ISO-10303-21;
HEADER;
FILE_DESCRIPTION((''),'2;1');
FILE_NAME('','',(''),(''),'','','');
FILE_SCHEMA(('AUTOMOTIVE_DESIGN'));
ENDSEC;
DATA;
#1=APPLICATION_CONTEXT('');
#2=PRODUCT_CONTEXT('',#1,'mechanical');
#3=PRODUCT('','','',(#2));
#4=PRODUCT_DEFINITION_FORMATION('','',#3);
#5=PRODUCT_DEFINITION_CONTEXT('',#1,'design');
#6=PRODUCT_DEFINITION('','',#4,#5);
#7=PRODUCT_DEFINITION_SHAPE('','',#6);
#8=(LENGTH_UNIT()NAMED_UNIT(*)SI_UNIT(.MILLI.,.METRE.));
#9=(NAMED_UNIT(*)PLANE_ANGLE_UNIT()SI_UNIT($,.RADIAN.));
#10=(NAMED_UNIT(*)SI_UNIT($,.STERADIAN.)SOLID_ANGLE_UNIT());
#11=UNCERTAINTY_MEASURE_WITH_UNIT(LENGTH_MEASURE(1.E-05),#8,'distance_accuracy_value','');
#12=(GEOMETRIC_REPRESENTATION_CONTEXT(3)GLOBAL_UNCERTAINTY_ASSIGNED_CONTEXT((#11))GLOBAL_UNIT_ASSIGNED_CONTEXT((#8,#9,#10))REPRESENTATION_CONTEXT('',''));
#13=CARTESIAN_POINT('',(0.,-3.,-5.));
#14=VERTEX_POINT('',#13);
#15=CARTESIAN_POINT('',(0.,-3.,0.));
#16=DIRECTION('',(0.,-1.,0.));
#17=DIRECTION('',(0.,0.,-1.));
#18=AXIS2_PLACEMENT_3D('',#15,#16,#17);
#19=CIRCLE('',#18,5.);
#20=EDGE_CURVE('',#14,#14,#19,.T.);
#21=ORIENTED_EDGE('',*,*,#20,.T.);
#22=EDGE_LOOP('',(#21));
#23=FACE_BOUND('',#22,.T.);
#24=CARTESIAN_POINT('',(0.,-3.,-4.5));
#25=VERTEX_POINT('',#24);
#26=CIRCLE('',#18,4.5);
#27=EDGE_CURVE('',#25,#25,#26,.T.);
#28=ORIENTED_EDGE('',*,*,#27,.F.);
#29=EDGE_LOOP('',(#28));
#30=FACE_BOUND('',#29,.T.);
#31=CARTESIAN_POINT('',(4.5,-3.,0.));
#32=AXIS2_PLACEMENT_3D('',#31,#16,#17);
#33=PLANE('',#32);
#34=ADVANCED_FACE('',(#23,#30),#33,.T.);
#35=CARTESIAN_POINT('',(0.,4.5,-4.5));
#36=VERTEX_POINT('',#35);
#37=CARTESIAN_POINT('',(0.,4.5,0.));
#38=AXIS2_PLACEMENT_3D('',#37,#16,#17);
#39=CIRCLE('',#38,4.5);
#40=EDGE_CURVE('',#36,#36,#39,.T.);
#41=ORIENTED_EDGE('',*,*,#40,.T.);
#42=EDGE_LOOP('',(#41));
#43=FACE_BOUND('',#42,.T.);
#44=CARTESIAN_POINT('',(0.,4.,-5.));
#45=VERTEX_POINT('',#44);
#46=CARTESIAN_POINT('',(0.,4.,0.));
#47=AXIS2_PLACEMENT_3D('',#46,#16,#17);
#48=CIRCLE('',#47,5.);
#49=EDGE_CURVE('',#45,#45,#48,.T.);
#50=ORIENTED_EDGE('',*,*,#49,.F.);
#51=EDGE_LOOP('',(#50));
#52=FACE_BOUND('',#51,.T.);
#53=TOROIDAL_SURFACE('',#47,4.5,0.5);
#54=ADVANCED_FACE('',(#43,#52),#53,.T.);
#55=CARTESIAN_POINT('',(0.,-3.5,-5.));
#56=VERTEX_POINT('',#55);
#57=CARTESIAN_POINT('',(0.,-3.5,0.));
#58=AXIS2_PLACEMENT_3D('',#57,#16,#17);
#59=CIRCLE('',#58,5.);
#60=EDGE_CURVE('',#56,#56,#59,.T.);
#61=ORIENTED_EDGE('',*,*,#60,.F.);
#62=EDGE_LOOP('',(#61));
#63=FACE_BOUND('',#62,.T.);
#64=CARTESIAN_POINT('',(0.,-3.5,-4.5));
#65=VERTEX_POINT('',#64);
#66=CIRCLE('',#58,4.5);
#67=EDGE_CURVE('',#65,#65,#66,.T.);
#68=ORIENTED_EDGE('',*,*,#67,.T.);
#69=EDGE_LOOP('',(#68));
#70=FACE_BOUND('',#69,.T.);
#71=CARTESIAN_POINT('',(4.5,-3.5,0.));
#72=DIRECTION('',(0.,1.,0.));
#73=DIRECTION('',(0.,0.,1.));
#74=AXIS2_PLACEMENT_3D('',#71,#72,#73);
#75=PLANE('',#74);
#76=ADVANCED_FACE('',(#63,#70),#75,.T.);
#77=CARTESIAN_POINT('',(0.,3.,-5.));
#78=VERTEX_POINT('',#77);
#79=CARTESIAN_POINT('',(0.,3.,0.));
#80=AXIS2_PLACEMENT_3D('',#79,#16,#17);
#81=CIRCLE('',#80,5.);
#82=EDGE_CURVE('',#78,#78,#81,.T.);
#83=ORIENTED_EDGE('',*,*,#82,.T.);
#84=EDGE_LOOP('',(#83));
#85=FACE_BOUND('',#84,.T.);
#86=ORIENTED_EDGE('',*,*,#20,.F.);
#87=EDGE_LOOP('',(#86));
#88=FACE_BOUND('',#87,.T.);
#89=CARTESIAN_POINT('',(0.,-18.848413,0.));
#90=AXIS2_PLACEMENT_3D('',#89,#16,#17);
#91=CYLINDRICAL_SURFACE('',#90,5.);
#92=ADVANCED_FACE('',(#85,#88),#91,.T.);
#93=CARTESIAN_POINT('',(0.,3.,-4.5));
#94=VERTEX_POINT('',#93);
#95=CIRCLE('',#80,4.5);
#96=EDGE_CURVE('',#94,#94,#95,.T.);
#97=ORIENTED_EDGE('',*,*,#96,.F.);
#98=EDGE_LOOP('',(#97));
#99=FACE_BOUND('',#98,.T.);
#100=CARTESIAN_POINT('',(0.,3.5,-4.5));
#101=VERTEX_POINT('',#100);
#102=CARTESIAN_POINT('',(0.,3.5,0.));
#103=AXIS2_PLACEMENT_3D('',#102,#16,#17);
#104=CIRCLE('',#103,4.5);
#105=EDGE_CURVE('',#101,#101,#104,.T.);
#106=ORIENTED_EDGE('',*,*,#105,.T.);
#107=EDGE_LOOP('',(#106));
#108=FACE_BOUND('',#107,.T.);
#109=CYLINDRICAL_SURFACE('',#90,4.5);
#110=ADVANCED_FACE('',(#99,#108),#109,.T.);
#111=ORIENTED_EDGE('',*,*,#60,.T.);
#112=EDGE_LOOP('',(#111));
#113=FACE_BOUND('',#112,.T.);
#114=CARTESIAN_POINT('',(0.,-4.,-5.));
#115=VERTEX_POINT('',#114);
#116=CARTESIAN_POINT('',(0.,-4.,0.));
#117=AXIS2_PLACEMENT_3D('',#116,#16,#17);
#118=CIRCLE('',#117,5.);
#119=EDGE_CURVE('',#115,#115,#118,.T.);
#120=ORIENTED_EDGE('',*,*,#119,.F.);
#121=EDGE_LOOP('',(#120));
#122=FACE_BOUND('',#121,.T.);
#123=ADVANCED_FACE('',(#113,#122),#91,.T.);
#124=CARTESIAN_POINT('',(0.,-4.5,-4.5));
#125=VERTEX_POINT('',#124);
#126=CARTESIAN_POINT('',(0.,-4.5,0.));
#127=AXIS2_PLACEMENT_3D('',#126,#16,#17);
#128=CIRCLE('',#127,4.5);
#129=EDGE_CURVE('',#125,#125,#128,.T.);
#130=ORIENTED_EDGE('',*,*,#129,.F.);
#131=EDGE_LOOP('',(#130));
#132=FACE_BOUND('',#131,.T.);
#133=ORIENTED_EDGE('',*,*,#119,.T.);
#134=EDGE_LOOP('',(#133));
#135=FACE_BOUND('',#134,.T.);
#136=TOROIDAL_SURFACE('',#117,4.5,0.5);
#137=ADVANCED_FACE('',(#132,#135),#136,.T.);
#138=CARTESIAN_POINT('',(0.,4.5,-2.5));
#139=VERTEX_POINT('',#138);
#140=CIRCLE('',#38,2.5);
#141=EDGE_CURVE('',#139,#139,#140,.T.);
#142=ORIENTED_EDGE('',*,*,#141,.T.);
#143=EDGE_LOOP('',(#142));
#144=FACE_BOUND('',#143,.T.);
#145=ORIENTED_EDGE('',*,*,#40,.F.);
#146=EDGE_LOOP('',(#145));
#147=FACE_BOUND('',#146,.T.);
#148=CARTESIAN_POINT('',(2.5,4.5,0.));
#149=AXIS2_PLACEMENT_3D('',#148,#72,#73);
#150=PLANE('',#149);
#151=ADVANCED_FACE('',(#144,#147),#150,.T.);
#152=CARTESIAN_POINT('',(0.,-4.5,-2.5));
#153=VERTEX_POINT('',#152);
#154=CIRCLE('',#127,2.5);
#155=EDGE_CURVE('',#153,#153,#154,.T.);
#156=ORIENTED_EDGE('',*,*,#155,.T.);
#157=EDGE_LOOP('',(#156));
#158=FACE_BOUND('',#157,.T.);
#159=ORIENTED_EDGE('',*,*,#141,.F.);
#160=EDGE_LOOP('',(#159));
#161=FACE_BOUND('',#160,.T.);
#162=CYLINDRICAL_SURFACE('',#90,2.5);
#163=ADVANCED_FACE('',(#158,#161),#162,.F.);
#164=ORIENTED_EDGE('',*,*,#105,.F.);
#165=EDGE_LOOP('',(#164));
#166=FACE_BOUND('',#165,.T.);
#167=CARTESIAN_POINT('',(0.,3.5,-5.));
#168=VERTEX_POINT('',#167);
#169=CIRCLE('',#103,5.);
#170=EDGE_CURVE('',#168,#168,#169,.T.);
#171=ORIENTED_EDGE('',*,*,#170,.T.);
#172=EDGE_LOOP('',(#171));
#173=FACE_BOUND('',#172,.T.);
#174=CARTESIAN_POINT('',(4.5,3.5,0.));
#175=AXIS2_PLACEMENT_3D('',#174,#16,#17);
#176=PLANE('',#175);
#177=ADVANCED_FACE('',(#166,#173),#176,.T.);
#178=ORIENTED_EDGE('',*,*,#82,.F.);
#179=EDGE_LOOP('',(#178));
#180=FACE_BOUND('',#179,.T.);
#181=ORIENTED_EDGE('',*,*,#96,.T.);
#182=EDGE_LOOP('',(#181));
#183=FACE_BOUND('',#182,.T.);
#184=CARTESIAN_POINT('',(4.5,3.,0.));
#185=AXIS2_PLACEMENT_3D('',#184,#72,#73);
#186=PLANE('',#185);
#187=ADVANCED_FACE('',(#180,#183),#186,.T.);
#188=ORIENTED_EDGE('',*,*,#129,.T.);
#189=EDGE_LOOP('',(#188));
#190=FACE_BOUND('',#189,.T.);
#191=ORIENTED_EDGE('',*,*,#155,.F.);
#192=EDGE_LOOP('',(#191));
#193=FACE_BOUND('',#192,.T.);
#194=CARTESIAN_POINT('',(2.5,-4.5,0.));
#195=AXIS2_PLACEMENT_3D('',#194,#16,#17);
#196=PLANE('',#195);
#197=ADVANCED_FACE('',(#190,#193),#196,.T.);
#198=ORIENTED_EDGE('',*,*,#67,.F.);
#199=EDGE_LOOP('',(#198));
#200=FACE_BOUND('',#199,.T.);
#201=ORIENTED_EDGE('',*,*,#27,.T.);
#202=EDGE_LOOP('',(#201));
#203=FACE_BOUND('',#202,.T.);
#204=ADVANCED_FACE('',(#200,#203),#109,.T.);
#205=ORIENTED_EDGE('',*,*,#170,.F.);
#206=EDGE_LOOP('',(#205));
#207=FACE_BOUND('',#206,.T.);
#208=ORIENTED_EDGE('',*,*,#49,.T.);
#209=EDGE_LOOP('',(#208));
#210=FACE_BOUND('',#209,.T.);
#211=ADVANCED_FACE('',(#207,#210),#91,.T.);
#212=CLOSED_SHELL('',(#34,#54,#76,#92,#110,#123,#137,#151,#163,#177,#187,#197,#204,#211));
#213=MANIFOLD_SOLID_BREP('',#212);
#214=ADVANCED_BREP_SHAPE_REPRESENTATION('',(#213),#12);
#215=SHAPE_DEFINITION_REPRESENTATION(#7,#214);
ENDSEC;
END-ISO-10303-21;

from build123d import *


with BuildPart() as part:
    # Esquisse1 → Révolution1 (revolve)
    with BuildSketch(Plane.XY, mode=Mode.PRIVATE) as r_volution1_sk:
        with BuildLine():
            Line((5, 3), (5, -3))
            Line((5, -3), (4.5, -3))
            Line((4.5, -3), (4.5, -3.5))
            Line((4.5, -3.5), (5, -3.5))
            Line((5, -3.5), (5, -4))
            ThreePointArc((5, -4), (4.853553391, -4.353553391), (4.5, -4.5))
            Line((4.5, -4.5), (2.5, -4.5))
            Line((2.5, -4.5), (2.5, 4.5))
            Line((2.5, 4.5), (4.5, 4.5))
            ThreePointArc((4.5, 4.5), (4.853553391, 4.353553391), (5, 4))
            Line((5, 4), (5, 3.5))
            Line((5, 3.5), (4.5, 3.5))
            Line((4.5, 3.5), (4.5, 3))
            Line((4.5, 3), (5, 3))
        make_face()
    revolve(r_volution1_sk.sketch.rotate(Axis((0, -18.848412698, 0), (0, 1, 0)), 90), axis=Axis((0, -18.848412698, 0), (0, 1, 0)))  # turned: the seam where the file's is


solid = part.part
